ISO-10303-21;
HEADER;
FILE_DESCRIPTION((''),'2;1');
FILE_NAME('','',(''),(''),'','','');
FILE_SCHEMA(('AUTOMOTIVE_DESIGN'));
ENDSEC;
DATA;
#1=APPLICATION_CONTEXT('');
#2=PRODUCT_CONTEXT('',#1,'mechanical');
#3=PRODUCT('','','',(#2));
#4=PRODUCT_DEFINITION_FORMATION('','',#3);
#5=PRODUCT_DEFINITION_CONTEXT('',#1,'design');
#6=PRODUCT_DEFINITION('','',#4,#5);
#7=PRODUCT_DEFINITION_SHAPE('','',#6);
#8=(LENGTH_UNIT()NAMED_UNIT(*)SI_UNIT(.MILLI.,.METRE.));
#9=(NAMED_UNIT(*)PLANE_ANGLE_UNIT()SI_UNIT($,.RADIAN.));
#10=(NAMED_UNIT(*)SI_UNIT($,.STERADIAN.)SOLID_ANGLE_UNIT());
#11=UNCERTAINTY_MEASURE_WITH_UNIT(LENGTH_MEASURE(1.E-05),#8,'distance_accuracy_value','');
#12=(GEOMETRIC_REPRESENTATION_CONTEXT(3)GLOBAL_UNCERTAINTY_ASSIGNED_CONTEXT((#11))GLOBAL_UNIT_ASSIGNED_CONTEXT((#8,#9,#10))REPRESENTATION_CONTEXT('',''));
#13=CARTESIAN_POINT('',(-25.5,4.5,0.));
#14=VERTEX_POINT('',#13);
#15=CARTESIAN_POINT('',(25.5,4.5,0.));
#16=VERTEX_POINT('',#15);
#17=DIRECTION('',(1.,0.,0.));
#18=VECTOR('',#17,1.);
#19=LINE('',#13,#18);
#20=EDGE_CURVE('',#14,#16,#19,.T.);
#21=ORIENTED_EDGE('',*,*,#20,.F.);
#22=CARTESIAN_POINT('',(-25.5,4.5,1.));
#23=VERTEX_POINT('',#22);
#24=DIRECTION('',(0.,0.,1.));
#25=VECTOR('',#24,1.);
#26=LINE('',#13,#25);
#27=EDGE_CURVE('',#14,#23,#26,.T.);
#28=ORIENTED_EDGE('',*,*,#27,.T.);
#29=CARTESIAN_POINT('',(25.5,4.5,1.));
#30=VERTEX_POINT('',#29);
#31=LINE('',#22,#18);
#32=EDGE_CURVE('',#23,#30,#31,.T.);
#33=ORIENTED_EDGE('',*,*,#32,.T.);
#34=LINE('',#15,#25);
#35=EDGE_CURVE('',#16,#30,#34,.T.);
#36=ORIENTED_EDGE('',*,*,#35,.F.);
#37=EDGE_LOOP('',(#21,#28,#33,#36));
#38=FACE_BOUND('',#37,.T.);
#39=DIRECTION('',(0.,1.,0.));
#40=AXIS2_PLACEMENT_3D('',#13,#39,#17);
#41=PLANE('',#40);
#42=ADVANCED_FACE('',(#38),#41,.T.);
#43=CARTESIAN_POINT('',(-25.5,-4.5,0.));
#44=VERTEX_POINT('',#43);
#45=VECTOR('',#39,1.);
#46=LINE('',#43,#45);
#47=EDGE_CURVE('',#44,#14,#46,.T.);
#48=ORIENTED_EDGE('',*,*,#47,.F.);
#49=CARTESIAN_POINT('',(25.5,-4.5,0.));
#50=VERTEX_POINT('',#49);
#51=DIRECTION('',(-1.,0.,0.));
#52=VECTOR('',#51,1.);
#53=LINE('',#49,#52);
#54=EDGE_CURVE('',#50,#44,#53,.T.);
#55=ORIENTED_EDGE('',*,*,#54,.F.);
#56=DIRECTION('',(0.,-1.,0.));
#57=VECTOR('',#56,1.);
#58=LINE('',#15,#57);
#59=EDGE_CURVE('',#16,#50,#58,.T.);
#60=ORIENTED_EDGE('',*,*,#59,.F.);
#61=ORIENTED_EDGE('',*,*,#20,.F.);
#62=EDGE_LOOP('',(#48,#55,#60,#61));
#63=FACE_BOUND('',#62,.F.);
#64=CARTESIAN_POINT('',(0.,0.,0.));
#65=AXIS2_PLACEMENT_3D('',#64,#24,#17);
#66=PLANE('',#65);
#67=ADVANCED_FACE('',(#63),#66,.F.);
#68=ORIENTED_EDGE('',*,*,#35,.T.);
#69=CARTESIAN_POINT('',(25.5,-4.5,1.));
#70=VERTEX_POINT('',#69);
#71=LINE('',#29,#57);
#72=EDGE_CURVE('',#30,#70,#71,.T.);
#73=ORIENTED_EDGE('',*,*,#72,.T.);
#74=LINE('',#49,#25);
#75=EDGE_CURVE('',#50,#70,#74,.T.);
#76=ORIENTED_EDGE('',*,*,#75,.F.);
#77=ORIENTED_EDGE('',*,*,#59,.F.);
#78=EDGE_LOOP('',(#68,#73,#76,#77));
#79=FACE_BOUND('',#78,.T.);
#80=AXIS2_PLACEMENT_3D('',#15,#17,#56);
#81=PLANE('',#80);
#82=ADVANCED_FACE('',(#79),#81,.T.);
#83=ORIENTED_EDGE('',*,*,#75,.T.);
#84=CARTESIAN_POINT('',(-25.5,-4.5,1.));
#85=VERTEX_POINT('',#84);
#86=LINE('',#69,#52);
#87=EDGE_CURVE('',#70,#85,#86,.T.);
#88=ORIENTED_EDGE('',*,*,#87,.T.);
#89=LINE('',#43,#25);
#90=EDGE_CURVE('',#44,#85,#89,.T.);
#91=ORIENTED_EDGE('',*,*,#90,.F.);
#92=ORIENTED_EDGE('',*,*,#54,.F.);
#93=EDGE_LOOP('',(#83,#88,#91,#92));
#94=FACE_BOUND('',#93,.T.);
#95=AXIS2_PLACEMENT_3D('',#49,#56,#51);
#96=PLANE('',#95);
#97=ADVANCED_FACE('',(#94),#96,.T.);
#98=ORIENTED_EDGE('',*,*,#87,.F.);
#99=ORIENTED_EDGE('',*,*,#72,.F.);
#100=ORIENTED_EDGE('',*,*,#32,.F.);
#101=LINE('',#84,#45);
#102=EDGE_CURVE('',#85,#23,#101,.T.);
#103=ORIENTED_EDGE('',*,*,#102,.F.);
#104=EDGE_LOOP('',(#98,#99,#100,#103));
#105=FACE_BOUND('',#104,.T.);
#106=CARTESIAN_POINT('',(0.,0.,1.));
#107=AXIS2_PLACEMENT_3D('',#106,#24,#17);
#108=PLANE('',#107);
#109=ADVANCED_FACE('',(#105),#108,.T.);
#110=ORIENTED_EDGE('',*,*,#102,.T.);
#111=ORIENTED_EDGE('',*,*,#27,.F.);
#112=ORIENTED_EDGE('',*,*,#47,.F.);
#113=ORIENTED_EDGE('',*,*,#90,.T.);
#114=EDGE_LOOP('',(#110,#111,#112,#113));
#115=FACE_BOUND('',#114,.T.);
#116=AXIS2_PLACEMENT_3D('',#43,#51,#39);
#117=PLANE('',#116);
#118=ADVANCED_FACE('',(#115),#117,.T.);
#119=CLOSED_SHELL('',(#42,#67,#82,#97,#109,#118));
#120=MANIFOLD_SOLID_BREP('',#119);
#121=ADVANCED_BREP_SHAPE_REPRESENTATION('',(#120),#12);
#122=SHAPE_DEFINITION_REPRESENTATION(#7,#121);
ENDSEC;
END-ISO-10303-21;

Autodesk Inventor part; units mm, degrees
ref_plane "YZ Plane" through (0, 0, 0) normal (1, 0, 0) x (0, 1, 0)
ref_plane "XZ Plane" through (0, 0, 0) normal (0, 1, 0) x (-1, 0, 0)
ref_plane "XY Plane" through (0, 0, 0) normal (0, 0, 1) x (1, 0, 0)
sketch "スケッチ1" plane through (0, 0, 0) normal (0, 0, 1) x (1, 0, 0)
  line L0 (-25.5, 4.5) -> (25.5, 4.5)
  line L1 (25.5, 4.5) -> (25.5, -4.5)
  line L2 (25.5, -4.5) -> (-25.5, -4.5)
  line L3 (-25.5, -4.5) -> (-25.5, 4.5)
  line L4 (-25.5, 4.5) -> (25.5, -4.5) construction
  line L5 (25.5, 4.5) -> (-25.5, -4.5) construction
  point P0 (0, 0)
  dimension "d0" = 51
  dimension "d1" = 9
extrude "押し出し1" add sketch "スケッチ1" along normal blind 1
properties part number "Antenna"
